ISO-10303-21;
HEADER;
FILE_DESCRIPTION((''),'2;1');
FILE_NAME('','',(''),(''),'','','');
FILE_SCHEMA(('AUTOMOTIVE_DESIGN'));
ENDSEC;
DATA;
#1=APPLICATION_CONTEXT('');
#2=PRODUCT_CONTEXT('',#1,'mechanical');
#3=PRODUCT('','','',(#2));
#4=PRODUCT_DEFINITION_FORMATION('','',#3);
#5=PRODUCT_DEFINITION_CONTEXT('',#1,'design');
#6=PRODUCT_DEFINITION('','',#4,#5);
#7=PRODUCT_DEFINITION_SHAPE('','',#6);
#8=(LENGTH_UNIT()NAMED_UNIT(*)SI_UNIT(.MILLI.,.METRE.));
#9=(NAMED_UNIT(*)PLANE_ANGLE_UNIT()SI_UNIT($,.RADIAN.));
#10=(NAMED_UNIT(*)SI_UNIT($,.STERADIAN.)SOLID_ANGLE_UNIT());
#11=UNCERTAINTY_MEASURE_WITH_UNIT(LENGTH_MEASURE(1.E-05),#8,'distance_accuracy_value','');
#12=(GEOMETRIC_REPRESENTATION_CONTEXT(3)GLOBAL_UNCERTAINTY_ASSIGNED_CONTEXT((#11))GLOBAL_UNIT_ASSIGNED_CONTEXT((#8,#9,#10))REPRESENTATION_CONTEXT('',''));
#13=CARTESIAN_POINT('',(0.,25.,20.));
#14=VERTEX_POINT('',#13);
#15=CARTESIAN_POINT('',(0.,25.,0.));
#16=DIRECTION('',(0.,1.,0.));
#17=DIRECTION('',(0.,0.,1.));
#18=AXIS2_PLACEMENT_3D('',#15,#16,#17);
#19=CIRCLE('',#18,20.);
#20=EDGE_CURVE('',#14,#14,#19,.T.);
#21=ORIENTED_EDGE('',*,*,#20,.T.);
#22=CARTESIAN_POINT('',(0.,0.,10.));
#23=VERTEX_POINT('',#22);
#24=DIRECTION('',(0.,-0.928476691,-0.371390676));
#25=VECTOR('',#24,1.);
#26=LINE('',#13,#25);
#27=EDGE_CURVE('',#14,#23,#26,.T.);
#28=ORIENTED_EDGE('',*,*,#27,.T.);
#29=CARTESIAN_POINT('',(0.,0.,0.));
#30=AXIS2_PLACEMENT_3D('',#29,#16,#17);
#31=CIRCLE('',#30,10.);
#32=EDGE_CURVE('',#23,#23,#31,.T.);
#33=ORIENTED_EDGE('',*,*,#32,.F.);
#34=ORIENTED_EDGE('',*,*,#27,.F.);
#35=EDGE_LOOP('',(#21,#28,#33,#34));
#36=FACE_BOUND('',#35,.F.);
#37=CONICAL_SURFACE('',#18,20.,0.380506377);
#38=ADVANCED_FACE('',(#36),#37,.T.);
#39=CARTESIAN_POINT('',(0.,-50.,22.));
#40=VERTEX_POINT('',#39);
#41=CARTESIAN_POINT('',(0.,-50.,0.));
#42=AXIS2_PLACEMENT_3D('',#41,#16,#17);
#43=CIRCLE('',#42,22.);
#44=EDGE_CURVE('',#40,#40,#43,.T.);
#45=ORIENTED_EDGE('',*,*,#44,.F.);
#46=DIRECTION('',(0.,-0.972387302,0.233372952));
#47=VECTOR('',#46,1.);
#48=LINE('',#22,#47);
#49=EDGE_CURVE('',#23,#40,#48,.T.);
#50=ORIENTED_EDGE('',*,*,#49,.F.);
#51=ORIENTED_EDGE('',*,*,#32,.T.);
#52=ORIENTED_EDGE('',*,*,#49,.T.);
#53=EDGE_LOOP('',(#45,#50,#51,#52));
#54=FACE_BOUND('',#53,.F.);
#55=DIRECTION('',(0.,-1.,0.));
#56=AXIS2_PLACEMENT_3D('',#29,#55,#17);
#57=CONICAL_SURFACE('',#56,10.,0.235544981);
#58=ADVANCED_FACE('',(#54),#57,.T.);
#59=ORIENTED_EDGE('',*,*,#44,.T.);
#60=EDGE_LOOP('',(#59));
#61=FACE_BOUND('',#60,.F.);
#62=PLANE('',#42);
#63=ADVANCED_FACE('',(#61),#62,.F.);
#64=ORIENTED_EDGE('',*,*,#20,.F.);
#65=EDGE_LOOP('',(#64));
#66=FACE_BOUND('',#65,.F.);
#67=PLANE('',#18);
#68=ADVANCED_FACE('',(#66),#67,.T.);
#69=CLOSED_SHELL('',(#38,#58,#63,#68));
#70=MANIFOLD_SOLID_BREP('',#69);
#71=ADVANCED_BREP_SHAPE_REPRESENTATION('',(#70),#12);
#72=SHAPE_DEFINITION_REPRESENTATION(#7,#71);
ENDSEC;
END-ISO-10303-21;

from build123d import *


with BuildPart() as f1:
    # F0 (on Right) → F1 (revolve)
    with BuildSketch(Plane.YZ):
        Polygon((25, 0), (25, 20), (0, 10), (0, 0), align=None)
        Polygon((0, 0), (0, 10), (-50, 22), (-50, 0), align=None)
    revolve(axis=Axis((0, -25, 0), (0, 1, 0)))


solid = f1.part
